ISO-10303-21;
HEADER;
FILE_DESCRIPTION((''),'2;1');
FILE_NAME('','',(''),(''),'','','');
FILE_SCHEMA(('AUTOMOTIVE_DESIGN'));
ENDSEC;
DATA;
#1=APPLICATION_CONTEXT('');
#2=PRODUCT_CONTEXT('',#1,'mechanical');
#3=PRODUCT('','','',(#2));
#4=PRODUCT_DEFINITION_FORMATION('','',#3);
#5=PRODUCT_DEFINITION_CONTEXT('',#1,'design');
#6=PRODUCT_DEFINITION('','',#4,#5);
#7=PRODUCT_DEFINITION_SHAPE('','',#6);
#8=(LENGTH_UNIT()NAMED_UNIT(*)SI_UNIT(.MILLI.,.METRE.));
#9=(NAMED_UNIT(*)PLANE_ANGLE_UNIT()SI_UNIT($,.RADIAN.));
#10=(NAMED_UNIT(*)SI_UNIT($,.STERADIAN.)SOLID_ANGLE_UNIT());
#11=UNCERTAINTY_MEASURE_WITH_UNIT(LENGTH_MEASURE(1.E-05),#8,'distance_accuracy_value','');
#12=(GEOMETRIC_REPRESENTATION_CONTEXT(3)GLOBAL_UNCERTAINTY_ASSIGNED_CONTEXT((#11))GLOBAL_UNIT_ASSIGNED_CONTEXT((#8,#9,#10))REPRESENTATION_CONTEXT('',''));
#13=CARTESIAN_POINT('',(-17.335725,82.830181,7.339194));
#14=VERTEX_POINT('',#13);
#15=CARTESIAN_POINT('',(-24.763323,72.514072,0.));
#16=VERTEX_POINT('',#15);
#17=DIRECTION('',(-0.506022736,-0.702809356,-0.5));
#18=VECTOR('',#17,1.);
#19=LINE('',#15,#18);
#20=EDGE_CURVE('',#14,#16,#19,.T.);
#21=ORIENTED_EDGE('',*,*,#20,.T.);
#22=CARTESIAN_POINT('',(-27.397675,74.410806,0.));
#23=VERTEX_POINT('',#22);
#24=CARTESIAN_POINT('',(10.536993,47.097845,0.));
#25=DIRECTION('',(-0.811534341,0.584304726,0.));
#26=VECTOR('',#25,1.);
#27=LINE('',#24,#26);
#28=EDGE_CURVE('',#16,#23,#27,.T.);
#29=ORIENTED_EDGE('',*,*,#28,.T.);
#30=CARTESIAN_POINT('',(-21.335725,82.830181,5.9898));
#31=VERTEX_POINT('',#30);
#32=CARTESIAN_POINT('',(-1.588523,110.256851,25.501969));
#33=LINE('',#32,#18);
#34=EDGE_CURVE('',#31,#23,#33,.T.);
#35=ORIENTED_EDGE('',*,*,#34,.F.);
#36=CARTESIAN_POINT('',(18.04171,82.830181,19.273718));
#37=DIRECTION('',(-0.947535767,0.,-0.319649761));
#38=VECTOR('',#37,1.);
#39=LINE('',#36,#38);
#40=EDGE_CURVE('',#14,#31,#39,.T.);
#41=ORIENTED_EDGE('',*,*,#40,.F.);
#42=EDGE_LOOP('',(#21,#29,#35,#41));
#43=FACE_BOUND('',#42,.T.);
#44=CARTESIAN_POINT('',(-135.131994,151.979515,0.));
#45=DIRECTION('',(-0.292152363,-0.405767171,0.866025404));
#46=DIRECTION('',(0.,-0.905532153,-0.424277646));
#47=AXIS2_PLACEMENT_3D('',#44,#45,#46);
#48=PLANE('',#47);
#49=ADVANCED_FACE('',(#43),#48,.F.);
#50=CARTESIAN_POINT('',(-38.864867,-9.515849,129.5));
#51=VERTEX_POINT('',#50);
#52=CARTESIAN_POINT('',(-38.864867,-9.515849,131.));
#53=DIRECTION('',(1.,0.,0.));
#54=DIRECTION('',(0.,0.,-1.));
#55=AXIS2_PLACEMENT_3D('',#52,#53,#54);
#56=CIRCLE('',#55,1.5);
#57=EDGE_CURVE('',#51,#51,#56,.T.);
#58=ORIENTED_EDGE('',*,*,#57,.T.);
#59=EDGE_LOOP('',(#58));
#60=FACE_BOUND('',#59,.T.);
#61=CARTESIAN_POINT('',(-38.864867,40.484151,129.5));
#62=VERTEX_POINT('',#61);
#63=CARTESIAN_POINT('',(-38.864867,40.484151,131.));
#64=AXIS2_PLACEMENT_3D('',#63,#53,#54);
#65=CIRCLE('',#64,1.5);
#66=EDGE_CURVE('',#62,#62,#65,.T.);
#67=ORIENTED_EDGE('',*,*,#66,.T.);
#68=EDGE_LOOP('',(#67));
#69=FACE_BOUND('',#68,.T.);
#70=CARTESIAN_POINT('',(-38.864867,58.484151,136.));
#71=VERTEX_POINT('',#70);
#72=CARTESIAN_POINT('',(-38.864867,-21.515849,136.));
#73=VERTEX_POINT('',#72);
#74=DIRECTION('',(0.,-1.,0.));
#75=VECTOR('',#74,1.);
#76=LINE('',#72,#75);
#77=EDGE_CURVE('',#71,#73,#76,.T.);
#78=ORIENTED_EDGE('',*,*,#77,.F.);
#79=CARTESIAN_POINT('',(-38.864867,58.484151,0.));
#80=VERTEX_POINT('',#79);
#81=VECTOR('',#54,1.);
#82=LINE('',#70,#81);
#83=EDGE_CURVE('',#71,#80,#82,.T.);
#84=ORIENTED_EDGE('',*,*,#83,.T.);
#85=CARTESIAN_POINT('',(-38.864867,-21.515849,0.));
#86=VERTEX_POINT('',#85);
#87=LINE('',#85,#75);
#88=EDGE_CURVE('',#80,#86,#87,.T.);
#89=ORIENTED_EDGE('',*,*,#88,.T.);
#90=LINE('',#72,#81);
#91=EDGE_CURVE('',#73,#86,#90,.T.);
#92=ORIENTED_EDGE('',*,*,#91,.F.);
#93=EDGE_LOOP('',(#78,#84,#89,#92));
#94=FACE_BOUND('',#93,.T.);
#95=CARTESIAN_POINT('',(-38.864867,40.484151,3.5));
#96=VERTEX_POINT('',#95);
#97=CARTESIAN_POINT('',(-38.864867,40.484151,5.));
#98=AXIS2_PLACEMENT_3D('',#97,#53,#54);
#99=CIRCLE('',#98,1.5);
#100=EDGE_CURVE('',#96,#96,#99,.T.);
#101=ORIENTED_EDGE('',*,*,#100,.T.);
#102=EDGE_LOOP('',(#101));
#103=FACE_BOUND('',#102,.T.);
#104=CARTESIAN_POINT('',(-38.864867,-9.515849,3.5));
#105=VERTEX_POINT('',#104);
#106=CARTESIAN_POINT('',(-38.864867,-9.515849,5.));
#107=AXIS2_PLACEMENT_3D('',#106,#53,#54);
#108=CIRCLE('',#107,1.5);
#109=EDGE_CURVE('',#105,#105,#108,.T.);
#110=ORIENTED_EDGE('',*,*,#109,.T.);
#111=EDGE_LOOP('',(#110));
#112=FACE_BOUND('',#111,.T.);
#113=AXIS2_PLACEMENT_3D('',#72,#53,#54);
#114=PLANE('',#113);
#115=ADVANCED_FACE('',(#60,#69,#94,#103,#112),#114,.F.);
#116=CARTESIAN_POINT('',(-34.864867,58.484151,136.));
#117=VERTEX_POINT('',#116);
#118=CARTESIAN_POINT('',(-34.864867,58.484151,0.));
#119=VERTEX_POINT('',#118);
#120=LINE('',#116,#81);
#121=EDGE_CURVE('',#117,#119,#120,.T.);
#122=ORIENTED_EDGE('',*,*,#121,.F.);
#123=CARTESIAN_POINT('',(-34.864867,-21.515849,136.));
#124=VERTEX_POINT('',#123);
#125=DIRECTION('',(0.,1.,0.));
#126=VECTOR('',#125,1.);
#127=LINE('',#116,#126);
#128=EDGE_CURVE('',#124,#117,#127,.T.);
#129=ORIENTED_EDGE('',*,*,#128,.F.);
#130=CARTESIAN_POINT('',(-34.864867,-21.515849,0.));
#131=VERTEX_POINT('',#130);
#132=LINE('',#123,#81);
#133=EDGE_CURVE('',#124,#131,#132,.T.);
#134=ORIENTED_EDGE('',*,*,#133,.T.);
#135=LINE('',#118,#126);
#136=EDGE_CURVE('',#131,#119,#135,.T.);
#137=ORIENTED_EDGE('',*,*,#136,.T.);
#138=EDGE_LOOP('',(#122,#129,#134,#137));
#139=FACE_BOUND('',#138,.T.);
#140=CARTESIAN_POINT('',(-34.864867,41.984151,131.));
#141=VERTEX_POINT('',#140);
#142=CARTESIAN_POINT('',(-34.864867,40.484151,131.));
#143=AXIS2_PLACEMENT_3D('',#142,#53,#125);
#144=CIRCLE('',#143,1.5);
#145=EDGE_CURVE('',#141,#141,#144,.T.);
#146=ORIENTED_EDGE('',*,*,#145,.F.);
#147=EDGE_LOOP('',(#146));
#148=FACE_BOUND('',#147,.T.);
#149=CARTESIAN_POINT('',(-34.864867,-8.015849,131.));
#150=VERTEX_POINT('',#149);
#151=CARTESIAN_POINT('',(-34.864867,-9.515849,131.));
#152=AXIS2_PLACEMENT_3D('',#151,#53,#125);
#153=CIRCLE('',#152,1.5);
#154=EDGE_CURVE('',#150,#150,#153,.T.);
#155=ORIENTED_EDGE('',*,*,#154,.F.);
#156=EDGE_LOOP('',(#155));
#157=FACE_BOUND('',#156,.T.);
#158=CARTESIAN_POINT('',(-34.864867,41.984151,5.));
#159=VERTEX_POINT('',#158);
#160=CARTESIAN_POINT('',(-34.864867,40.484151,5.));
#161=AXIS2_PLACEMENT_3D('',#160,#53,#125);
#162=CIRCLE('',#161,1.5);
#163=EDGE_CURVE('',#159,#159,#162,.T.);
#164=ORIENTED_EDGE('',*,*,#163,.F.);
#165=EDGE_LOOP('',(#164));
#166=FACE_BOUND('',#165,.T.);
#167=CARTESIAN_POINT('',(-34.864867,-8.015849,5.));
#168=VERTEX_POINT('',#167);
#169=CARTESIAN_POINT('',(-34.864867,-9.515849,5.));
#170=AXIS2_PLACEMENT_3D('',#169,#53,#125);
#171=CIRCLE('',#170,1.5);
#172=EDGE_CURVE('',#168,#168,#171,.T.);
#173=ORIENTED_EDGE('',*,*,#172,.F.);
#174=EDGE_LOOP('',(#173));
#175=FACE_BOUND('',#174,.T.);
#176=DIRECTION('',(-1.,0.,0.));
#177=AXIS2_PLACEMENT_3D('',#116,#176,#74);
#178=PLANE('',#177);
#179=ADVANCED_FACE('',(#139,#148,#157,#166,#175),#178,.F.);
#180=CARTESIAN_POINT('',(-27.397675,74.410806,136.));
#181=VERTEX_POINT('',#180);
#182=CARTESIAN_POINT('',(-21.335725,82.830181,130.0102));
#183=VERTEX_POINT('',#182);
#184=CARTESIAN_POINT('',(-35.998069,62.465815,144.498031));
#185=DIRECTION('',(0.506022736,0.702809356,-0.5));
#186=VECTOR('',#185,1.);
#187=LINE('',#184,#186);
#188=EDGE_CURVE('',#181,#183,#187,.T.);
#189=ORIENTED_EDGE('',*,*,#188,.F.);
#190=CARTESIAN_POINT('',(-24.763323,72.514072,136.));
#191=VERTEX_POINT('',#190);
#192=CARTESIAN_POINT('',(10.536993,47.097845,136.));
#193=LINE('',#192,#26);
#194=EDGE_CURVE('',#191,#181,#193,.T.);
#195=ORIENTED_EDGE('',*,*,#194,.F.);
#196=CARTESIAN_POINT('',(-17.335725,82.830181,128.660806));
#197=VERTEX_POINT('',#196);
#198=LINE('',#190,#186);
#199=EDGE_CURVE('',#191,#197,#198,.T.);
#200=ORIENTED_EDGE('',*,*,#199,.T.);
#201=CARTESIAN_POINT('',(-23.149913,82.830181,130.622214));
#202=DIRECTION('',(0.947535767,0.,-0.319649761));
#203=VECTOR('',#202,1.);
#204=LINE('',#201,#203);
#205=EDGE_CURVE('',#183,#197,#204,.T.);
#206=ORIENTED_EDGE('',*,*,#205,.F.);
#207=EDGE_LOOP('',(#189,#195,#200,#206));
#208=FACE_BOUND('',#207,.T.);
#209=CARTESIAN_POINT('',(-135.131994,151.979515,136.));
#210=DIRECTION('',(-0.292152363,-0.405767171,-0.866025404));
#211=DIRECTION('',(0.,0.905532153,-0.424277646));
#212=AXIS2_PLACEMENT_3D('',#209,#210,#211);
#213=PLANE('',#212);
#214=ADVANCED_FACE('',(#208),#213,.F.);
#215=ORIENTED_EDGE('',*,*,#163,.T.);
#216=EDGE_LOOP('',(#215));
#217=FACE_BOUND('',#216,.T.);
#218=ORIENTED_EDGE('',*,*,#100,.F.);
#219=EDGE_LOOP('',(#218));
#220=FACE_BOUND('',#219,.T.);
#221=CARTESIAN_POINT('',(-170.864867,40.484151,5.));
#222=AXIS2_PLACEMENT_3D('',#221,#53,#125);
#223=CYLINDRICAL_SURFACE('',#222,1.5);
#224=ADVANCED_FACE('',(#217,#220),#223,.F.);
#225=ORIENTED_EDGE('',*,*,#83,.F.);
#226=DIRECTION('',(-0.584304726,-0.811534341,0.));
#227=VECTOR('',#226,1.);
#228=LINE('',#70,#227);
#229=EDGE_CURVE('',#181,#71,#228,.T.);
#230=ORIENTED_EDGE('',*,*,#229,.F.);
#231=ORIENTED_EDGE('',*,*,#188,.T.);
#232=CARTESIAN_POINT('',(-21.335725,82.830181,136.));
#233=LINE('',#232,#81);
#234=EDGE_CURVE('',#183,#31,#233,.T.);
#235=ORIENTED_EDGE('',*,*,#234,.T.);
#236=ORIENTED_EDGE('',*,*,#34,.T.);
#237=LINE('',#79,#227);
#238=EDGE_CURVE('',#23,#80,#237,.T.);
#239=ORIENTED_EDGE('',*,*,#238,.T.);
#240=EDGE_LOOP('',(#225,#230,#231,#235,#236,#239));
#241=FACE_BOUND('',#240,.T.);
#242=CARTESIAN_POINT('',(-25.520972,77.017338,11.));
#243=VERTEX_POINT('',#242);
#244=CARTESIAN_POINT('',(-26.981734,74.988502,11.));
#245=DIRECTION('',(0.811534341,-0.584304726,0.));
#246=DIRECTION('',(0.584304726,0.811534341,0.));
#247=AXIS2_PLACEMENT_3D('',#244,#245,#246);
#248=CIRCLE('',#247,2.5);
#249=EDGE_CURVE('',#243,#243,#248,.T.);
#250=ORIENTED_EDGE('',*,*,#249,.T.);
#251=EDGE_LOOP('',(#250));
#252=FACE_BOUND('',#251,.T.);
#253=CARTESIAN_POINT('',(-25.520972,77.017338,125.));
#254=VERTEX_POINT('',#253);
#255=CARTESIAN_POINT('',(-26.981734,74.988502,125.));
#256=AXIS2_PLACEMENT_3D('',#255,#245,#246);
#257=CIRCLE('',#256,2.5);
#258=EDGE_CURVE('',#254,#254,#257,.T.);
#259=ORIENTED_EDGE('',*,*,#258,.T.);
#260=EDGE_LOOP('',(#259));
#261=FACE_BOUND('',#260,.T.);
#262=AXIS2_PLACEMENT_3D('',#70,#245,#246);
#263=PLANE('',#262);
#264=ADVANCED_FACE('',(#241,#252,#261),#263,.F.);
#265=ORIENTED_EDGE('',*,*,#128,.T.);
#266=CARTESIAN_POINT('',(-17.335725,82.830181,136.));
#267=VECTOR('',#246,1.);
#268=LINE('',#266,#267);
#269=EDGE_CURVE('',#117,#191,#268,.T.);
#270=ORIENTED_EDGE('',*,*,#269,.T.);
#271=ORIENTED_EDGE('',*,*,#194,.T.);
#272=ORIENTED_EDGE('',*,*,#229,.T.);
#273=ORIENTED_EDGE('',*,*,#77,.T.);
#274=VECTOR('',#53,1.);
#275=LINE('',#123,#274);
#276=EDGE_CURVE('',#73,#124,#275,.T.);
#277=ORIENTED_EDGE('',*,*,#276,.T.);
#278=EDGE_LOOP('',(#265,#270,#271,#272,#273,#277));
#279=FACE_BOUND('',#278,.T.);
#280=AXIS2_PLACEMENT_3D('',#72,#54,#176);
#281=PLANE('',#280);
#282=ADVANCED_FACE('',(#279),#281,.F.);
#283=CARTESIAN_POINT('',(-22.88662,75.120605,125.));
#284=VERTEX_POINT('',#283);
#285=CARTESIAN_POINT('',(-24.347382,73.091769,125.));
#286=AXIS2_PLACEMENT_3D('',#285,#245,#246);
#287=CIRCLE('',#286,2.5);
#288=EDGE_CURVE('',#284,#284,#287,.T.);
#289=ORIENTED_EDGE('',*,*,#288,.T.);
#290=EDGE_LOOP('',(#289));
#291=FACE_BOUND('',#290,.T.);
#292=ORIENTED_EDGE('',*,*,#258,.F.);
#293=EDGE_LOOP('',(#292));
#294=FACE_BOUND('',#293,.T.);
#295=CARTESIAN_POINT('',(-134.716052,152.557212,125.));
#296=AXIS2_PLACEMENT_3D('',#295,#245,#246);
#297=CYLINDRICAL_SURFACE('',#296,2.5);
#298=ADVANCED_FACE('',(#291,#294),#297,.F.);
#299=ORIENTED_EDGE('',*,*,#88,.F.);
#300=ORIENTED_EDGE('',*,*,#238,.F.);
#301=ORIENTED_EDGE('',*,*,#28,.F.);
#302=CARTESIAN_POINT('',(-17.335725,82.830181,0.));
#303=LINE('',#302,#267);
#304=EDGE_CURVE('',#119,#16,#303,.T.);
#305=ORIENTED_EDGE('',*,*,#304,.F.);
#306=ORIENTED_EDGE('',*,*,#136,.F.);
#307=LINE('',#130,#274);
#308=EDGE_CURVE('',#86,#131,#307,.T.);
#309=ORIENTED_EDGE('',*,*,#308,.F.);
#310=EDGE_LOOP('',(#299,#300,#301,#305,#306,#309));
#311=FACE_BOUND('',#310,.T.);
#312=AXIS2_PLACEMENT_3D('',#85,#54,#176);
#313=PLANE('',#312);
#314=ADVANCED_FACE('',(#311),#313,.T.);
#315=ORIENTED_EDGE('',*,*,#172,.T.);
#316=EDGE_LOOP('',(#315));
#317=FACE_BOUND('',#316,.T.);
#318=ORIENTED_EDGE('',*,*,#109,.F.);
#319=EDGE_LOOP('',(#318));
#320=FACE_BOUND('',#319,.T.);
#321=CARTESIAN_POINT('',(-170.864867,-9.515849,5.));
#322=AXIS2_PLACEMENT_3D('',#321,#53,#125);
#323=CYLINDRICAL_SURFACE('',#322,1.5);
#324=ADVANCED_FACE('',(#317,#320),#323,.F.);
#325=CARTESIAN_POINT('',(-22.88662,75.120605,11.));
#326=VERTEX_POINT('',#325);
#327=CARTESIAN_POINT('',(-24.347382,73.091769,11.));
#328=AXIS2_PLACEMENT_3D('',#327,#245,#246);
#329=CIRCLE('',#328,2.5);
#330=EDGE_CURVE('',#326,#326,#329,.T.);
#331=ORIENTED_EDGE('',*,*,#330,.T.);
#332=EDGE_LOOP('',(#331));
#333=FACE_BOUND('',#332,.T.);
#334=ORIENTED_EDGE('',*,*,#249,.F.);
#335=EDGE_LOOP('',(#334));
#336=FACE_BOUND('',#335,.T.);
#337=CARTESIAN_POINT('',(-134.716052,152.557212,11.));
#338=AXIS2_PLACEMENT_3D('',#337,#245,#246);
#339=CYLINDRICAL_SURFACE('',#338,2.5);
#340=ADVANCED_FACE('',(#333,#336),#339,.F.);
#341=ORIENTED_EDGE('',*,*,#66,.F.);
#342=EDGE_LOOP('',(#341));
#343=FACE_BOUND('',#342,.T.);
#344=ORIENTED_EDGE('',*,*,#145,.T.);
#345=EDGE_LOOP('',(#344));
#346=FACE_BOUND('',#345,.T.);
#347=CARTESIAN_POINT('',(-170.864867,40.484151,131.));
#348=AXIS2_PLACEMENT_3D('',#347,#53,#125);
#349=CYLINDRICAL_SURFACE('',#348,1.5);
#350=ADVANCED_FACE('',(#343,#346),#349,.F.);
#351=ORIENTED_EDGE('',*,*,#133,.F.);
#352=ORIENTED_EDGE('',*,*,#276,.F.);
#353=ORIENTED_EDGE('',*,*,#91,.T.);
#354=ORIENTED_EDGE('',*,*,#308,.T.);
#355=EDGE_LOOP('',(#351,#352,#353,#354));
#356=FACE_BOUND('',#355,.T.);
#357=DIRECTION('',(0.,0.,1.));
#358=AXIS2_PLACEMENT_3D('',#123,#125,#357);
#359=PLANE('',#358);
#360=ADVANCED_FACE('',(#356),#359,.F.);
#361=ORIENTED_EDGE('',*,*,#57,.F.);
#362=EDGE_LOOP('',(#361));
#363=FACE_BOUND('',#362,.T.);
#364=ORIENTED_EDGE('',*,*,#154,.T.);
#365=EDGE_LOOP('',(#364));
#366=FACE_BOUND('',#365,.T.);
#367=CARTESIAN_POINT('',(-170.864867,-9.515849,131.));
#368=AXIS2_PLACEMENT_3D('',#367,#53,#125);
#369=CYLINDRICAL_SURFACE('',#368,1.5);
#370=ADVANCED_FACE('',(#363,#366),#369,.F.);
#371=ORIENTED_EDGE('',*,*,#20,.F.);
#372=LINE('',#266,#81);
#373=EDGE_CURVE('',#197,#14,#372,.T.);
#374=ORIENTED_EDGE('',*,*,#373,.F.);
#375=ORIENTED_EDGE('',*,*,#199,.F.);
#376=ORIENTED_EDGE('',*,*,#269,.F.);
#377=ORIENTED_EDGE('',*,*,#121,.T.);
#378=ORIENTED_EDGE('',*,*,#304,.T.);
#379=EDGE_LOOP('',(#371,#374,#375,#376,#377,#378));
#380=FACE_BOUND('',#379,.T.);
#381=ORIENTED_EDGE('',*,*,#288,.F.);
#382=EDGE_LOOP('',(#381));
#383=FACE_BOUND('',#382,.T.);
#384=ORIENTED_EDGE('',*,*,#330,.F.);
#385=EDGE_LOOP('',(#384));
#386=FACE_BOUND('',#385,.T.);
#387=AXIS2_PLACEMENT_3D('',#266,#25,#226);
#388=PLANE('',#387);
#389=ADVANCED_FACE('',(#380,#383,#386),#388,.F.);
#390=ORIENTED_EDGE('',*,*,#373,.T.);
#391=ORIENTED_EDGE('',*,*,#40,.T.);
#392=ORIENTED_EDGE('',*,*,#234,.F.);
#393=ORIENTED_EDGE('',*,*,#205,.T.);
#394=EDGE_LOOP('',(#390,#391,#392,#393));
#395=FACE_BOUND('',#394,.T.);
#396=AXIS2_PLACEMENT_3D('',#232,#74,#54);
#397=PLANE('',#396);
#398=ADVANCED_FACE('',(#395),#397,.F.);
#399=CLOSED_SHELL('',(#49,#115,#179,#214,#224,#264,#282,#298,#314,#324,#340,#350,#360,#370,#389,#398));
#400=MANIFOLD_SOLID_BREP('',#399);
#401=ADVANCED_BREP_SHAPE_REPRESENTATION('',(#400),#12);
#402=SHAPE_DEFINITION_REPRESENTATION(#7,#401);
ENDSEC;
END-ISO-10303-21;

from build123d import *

# Parameters (mm, degrees)
EXTRUDE_1_DEPTH     = 136
SKETCH_3_R          = 1.5
CUT_EXTRUDE_1_DEPTH = 136
SKETCH_4_R          = 2.5
CUT_EXTRUDE_2_DEPTH = 136
CUT_EXTRUDE_3_DEPTH = 136


with BuildPart() as part:
    # 草图2 → 凸台-拉伸1 (new body)
    with BuildSketch(Plane.XY):
        Polygon((-38.864866985, -21.515849201), (-38.864866985, 58.484150799), (-21.335725209, 82.830181043), (-17.335725209, 82.830181043), (-34.864866985, 58.484150799), (-34.864866985, -21.515849201), align=None)
    extrude(amount=EXTRUDE_1_DEPTH)

    # 草图3 → 切除-拉伸1 (cut)
    with BuildSketch(Plane(origin=(-34.864866985, 0, 0), x_dir=(0, 0, -1), z_dir=(1, 0, 0))):
        with Locations(Location((-131, 40.484150799, 0), (0, 0, 90))):
            Circle(SKETCH_3_R)
        with Locations(Location((-131, -9.515849201, 0), (0, 0, 90))):
            Circle(SKETCH_3_R)
        with Locations(Location((-5, 40.484150799, 0), (0, 0, 90))):
            Circle(SKETCH_3_R)
        with Locations(Location((-5, -9.515849201, 0), (0, 0, 90))):
            Circle(SKETCH_3_R)
    extrude(amount=-CUT_EXTRUDE_1_DEPTH, mode=Mode.SUBTRACT)

    # 草图4 → 切除-拉伸2 (cut)
    with BuildSketch(Plane(origin=(-50.693793177, 36.499531087, 0), x_dir=(0, 0, -1), z_dir=(0.8115343414514944, -0.5843047258450759, 0))):
        with Locations(Location((-125, 45.090190259, 0), (0, 0, 90))):
            Circle(SKETCH_4_R)
        with Locations(Location((-11, 45.090190259, 0), (0, 0, 90))):
            Circle(SKETCH_4_R)
    extrude(amount=-CUT_EXTRUDE_2_DEPTH, mode=Mode.SUBTRACT)

    # 草图5 → 切除-拉伸3 (cut)
    with BuildSketch(Plane(origin=(-50.693793177, 36.499531087, 0), x_dir=(0, 0, -1), z_dir=(0.8115343414514944, -0.5843047258450759, 0))):
        Polygon((-136, 44.378333204), (-136, 60.422396469), (-128.660805907, 57.090190259), align=None)
        Polygon((-7.339194093, 57.090190259), (0, 57.090190259), (0, 44.378333204), align=None)
    extrude(amount=-CUT_EXTRUDE_3_DEPTH, mode=Mode.SUBTRACT)


solid = part.part
